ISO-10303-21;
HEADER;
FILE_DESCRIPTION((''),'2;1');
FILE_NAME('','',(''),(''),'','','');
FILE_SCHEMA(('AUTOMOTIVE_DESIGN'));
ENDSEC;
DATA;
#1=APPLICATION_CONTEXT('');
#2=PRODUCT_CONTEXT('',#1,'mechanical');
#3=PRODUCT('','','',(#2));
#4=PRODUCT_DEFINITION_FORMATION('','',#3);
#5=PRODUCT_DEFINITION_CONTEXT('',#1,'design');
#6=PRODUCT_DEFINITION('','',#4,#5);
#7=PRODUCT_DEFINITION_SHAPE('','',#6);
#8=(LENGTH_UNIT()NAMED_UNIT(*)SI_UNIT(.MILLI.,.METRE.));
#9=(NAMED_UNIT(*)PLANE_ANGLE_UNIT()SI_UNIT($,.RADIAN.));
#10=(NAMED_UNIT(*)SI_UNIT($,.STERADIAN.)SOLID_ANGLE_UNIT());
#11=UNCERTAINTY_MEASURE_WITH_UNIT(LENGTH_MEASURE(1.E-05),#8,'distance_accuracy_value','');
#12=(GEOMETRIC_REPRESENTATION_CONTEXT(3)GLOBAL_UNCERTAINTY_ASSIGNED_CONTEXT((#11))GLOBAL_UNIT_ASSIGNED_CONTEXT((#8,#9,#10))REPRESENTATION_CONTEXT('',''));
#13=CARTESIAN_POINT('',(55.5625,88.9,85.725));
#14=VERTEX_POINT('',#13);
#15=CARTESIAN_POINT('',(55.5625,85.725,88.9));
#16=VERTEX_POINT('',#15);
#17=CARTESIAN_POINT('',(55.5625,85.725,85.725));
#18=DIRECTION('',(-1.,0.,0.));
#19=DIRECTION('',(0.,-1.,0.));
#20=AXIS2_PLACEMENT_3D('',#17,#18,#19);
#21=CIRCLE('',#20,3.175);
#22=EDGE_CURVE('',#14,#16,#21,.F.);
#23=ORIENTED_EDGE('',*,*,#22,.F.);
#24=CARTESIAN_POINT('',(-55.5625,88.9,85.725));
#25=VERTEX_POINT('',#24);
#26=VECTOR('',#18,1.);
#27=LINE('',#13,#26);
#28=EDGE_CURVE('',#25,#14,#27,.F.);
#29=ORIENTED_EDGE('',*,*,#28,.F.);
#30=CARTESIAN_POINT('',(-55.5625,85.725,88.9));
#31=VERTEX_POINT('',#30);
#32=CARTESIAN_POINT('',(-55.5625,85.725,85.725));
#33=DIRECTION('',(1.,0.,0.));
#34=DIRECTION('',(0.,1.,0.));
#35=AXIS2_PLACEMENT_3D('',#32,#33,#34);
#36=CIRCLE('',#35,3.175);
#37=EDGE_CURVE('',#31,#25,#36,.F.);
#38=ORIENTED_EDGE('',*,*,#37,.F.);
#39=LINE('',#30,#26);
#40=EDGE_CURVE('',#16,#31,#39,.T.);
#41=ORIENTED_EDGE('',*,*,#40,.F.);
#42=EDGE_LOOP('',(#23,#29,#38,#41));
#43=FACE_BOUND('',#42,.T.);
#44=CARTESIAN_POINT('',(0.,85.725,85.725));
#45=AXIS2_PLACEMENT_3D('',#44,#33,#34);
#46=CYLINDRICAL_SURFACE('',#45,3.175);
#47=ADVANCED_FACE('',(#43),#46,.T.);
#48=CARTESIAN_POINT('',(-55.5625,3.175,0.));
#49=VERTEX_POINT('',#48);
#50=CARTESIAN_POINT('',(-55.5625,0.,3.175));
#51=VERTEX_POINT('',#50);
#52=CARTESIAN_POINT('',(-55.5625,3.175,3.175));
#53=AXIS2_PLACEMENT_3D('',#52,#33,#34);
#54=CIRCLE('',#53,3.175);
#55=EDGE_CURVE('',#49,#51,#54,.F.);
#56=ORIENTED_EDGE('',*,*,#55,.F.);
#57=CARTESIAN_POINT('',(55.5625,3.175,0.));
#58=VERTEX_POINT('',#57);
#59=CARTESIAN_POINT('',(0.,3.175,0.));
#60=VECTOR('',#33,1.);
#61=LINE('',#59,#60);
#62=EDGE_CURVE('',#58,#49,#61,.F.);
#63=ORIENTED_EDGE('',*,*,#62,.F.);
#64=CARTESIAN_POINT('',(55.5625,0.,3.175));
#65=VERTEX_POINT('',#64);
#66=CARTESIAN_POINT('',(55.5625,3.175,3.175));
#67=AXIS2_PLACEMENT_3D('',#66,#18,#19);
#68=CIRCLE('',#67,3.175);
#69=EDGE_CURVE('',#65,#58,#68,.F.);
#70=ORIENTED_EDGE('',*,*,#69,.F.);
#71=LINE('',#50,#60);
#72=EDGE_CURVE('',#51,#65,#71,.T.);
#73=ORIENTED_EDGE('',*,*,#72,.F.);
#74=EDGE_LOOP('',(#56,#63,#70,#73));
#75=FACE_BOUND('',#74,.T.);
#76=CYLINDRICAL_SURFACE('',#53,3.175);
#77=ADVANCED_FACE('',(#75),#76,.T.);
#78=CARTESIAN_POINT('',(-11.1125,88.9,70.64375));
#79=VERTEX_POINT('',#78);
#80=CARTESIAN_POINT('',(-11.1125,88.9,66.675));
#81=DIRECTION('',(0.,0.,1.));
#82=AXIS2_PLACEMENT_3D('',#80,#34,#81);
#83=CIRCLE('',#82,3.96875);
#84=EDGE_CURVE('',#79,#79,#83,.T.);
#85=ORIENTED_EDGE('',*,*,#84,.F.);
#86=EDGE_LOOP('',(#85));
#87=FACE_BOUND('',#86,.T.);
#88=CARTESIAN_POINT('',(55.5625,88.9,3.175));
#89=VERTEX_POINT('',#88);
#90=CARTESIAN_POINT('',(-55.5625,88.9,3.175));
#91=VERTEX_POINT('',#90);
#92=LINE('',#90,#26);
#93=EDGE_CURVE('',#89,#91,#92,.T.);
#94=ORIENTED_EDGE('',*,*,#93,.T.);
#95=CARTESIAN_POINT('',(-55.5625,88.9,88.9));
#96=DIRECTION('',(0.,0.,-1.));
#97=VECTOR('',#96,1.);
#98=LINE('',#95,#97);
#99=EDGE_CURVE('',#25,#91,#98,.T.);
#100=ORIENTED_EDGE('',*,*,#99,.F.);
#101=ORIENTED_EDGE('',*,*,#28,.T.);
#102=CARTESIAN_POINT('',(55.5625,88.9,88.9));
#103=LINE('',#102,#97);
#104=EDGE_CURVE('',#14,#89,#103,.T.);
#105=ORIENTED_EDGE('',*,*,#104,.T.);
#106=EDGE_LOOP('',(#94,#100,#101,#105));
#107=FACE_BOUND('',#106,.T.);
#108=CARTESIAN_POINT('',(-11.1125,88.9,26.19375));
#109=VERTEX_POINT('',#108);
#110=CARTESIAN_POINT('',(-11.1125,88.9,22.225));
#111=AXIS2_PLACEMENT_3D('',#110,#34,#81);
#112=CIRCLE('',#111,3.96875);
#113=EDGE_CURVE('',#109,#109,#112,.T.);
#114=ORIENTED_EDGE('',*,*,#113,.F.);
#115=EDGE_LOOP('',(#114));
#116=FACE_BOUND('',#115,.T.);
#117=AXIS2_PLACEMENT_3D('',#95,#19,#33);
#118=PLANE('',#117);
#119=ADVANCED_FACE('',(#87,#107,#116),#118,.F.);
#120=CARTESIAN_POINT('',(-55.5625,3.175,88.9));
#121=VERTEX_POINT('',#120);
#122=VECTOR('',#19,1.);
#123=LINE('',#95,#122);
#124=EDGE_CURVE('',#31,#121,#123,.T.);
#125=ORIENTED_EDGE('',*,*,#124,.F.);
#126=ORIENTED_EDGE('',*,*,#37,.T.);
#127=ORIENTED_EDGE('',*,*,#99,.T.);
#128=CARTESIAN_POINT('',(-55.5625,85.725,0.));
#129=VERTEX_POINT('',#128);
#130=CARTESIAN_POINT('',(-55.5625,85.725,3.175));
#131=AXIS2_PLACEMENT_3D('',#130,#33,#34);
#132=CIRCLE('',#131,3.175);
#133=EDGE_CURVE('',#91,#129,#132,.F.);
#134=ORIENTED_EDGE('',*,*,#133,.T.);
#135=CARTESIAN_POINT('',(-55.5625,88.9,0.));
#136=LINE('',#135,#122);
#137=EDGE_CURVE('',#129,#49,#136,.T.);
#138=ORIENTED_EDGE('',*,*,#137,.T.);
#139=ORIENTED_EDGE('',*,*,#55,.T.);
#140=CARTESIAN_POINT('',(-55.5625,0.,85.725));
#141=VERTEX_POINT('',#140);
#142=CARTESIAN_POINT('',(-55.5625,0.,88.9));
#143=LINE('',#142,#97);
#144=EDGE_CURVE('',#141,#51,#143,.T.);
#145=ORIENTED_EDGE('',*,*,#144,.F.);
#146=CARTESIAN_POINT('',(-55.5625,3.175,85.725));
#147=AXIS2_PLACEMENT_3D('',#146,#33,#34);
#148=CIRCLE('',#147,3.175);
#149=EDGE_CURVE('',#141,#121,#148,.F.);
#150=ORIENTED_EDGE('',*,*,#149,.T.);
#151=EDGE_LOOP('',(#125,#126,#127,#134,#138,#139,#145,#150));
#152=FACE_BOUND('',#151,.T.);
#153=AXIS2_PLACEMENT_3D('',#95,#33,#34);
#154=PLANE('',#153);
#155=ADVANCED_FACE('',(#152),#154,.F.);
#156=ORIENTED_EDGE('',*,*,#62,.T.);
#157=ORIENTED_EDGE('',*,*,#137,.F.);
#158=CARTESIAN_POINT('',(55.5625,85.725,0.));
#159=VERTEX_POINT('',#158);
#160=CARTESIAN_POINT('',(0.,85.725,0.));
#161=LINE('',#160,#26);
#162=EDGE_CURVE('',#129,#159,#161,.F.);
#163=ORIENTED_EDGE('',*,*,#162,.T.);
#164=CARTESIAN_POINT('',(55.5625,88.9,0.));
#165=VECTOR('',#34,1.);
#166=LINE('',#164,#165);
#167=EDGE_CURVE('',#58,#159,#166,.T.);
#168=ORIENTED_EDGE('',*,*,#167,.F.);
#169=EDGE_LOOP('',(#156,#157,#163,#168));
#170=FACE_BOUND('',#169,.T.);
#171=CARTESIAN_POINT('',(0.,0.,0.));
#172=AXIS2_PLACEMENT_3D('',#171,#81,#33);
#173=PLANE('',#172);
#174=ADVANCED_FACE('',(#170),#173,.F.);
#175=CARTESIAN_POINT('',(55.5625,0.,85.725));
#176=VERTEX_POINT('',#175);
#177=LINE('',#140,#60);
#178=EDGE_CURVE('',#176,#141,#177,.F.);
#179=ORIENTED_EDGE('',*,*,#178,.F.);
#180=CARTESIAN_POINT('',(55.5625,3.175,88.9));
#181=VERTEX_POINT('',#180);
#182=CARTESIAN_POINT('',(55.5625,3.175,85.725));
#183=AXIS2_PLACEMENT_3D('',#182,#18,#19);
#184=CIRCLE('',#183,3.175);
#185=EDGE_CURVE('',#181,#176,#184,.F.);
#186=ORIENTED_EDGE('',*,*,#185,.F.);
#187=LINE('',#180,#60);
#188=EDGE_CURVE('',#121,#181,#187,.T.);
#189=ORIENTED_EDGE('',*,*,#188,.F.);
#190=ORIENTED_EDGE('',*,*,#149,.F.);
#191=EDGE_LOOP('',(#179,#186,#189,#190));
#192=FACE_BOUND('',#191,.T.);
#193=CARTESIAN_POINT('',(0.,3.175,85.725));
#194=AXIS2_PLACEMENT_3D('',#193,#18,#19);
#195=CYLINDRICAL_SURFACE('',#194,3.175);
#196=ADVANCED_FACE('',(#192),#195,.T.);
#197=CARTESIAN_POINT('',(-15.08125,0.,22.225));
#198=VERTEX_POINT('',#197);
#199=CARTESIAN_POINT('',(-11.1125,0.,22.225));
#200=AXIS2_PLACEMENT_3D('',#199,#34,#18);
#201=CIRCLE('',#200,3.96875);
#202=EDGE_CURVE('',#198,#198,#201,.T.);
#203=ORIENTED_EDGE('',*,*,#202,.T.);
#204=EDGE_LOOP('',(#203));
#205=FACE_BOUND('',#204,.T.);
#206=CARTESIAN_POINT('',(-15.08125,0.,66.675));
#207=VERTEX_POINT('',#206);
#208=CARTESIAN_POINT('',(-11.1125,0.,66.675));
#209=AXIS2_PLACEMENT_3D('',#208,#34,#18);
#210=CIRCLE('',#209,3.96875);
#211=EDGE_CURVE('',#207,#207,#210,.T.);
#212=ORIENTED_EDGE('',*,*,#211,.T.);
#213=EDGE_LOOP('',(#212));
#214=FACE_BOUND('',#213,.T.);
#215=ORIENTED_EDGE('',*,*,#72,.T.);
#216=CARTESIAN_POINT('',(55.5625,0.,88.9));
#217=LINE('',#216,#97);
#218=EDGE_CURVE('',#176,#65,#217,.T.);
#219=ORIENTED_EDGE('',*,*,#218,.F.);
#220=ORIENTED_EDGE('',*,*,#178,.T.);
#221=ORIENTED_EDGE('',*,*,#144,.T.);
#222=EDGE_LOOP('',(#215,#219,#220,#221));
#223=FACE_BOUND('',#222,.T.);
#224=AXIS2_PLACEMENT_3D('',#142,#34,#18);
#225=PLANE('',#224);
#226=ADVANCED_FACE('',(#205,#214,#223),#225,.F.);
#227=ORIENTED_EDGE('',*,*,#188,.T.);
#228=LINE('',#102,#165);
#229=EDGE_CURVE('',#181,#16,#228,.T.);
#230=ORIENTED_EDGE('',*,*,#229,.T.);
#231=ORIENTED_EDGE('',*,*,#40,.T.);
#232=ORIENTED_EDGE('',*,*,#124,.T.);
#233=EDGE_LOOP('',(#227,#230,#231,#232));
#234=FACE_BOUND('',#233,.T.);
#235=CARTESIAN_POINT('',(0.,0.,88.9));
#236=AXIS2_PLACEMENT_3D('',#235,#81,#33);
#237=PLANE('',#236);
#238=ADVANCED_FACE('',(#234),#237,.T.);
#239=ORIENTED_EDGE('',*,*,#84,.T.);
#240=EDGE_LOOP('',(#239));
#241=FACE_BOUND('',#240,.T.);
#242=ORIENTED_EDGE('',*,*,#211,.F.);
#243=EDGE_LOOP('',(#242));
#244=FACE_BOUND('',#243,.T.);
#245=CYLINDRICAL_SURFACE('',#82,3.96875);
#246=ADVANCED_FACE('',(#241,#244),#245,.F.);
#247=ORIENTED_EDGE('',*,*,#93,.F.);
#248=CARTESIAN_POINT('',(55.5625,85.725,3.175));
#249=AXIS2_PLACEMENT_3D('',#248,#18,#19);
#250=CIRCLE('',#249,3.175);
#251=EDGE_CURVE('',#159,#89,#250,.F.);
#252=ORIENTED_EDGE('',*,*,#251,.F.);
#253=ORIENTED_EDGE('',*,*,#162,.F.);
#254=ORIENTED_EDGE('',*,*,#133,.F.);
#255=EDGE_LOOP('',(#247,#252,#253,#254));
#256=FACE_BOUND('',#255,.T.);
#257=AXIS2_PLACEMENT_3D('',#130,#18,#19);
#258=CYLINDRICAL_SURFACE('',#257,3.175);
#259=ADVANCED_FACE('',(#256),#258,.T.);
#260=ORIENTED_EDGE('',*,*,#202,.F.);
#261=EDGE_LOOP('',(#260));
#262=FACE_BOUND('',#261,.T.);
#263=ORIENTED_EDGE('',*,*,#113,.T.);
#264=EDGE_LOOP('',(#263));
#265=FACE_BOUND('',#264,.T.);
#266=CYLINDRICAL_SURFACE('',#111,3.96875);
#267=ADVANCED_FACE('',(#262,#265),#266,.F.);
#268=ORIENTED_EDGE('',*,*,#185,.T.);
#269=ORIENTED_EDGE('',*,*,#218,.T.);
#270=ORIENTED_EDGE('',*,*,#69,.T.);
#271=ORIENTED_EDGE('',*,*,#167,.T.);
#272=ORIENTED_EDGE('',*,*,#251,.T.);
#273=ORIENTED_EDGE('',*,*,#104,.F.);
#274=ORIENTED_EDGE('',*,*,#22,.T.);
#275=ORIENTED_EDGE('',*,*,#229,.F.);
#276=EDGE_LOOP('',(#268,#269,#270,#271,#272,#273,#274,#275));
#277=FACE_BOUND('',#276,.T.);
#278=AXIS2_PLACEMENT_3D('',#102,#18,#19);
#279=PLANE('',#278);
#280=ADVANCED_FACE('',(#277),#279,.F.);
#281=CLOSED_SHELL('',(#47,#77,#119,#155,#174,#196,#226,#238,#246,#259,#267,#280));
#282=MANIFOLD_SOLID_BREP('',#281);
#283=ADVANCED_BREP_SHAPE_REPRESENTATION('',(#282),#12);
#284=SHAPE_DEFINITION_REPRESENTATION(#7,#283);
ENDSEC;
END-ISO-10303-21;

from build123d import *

# Parameters (mm, degrees)
SKETCH1_W                      = 111.125
SKETCH1_H                      = 88.9
BOSS_EXTRUDE1_DEPTH            = 88.9
FILLET1_R                      = 3.175
F_5_16_0_3125_DIAMETER_HOLE1_D = 7.9375


with BuildPart() as part:
    # Sketch1 → Boss-Extrude1 (new body)
    with BuildSketch(Plane.XY):
        with Locations((0, 44.45)):
            Rectangle(SKETCH1_W, SKETCH1_H)
    extrude(amount=BOSS_EXTRUDE1_DEPTH)

    # Fillet1
    fillet1_edges = [part.edges().sort_by_distance(p)[0] for p in [
        (0, 88.9, 88.9),
        (0, 88.9, 0),
        (0, 0, 0),
        (0, 0, 88.9),
    ]]
    fillet(fillet1_edges, radius=FILLET1_R)

    # 5/16 (0.3125) Diameter Hole1 (through all)
    with Locations(Plane(origin=(0, 88.9, 0), x_dir=(1, 0, 0), z_dir=(0, 1, 0))):
        with Locations((-11.1125, -22.225), (-11.1125, -66.675)):
            Hole(F_5_16_0_3125_DIAMETER_HOLE1_D / 2)


solid = part.part
